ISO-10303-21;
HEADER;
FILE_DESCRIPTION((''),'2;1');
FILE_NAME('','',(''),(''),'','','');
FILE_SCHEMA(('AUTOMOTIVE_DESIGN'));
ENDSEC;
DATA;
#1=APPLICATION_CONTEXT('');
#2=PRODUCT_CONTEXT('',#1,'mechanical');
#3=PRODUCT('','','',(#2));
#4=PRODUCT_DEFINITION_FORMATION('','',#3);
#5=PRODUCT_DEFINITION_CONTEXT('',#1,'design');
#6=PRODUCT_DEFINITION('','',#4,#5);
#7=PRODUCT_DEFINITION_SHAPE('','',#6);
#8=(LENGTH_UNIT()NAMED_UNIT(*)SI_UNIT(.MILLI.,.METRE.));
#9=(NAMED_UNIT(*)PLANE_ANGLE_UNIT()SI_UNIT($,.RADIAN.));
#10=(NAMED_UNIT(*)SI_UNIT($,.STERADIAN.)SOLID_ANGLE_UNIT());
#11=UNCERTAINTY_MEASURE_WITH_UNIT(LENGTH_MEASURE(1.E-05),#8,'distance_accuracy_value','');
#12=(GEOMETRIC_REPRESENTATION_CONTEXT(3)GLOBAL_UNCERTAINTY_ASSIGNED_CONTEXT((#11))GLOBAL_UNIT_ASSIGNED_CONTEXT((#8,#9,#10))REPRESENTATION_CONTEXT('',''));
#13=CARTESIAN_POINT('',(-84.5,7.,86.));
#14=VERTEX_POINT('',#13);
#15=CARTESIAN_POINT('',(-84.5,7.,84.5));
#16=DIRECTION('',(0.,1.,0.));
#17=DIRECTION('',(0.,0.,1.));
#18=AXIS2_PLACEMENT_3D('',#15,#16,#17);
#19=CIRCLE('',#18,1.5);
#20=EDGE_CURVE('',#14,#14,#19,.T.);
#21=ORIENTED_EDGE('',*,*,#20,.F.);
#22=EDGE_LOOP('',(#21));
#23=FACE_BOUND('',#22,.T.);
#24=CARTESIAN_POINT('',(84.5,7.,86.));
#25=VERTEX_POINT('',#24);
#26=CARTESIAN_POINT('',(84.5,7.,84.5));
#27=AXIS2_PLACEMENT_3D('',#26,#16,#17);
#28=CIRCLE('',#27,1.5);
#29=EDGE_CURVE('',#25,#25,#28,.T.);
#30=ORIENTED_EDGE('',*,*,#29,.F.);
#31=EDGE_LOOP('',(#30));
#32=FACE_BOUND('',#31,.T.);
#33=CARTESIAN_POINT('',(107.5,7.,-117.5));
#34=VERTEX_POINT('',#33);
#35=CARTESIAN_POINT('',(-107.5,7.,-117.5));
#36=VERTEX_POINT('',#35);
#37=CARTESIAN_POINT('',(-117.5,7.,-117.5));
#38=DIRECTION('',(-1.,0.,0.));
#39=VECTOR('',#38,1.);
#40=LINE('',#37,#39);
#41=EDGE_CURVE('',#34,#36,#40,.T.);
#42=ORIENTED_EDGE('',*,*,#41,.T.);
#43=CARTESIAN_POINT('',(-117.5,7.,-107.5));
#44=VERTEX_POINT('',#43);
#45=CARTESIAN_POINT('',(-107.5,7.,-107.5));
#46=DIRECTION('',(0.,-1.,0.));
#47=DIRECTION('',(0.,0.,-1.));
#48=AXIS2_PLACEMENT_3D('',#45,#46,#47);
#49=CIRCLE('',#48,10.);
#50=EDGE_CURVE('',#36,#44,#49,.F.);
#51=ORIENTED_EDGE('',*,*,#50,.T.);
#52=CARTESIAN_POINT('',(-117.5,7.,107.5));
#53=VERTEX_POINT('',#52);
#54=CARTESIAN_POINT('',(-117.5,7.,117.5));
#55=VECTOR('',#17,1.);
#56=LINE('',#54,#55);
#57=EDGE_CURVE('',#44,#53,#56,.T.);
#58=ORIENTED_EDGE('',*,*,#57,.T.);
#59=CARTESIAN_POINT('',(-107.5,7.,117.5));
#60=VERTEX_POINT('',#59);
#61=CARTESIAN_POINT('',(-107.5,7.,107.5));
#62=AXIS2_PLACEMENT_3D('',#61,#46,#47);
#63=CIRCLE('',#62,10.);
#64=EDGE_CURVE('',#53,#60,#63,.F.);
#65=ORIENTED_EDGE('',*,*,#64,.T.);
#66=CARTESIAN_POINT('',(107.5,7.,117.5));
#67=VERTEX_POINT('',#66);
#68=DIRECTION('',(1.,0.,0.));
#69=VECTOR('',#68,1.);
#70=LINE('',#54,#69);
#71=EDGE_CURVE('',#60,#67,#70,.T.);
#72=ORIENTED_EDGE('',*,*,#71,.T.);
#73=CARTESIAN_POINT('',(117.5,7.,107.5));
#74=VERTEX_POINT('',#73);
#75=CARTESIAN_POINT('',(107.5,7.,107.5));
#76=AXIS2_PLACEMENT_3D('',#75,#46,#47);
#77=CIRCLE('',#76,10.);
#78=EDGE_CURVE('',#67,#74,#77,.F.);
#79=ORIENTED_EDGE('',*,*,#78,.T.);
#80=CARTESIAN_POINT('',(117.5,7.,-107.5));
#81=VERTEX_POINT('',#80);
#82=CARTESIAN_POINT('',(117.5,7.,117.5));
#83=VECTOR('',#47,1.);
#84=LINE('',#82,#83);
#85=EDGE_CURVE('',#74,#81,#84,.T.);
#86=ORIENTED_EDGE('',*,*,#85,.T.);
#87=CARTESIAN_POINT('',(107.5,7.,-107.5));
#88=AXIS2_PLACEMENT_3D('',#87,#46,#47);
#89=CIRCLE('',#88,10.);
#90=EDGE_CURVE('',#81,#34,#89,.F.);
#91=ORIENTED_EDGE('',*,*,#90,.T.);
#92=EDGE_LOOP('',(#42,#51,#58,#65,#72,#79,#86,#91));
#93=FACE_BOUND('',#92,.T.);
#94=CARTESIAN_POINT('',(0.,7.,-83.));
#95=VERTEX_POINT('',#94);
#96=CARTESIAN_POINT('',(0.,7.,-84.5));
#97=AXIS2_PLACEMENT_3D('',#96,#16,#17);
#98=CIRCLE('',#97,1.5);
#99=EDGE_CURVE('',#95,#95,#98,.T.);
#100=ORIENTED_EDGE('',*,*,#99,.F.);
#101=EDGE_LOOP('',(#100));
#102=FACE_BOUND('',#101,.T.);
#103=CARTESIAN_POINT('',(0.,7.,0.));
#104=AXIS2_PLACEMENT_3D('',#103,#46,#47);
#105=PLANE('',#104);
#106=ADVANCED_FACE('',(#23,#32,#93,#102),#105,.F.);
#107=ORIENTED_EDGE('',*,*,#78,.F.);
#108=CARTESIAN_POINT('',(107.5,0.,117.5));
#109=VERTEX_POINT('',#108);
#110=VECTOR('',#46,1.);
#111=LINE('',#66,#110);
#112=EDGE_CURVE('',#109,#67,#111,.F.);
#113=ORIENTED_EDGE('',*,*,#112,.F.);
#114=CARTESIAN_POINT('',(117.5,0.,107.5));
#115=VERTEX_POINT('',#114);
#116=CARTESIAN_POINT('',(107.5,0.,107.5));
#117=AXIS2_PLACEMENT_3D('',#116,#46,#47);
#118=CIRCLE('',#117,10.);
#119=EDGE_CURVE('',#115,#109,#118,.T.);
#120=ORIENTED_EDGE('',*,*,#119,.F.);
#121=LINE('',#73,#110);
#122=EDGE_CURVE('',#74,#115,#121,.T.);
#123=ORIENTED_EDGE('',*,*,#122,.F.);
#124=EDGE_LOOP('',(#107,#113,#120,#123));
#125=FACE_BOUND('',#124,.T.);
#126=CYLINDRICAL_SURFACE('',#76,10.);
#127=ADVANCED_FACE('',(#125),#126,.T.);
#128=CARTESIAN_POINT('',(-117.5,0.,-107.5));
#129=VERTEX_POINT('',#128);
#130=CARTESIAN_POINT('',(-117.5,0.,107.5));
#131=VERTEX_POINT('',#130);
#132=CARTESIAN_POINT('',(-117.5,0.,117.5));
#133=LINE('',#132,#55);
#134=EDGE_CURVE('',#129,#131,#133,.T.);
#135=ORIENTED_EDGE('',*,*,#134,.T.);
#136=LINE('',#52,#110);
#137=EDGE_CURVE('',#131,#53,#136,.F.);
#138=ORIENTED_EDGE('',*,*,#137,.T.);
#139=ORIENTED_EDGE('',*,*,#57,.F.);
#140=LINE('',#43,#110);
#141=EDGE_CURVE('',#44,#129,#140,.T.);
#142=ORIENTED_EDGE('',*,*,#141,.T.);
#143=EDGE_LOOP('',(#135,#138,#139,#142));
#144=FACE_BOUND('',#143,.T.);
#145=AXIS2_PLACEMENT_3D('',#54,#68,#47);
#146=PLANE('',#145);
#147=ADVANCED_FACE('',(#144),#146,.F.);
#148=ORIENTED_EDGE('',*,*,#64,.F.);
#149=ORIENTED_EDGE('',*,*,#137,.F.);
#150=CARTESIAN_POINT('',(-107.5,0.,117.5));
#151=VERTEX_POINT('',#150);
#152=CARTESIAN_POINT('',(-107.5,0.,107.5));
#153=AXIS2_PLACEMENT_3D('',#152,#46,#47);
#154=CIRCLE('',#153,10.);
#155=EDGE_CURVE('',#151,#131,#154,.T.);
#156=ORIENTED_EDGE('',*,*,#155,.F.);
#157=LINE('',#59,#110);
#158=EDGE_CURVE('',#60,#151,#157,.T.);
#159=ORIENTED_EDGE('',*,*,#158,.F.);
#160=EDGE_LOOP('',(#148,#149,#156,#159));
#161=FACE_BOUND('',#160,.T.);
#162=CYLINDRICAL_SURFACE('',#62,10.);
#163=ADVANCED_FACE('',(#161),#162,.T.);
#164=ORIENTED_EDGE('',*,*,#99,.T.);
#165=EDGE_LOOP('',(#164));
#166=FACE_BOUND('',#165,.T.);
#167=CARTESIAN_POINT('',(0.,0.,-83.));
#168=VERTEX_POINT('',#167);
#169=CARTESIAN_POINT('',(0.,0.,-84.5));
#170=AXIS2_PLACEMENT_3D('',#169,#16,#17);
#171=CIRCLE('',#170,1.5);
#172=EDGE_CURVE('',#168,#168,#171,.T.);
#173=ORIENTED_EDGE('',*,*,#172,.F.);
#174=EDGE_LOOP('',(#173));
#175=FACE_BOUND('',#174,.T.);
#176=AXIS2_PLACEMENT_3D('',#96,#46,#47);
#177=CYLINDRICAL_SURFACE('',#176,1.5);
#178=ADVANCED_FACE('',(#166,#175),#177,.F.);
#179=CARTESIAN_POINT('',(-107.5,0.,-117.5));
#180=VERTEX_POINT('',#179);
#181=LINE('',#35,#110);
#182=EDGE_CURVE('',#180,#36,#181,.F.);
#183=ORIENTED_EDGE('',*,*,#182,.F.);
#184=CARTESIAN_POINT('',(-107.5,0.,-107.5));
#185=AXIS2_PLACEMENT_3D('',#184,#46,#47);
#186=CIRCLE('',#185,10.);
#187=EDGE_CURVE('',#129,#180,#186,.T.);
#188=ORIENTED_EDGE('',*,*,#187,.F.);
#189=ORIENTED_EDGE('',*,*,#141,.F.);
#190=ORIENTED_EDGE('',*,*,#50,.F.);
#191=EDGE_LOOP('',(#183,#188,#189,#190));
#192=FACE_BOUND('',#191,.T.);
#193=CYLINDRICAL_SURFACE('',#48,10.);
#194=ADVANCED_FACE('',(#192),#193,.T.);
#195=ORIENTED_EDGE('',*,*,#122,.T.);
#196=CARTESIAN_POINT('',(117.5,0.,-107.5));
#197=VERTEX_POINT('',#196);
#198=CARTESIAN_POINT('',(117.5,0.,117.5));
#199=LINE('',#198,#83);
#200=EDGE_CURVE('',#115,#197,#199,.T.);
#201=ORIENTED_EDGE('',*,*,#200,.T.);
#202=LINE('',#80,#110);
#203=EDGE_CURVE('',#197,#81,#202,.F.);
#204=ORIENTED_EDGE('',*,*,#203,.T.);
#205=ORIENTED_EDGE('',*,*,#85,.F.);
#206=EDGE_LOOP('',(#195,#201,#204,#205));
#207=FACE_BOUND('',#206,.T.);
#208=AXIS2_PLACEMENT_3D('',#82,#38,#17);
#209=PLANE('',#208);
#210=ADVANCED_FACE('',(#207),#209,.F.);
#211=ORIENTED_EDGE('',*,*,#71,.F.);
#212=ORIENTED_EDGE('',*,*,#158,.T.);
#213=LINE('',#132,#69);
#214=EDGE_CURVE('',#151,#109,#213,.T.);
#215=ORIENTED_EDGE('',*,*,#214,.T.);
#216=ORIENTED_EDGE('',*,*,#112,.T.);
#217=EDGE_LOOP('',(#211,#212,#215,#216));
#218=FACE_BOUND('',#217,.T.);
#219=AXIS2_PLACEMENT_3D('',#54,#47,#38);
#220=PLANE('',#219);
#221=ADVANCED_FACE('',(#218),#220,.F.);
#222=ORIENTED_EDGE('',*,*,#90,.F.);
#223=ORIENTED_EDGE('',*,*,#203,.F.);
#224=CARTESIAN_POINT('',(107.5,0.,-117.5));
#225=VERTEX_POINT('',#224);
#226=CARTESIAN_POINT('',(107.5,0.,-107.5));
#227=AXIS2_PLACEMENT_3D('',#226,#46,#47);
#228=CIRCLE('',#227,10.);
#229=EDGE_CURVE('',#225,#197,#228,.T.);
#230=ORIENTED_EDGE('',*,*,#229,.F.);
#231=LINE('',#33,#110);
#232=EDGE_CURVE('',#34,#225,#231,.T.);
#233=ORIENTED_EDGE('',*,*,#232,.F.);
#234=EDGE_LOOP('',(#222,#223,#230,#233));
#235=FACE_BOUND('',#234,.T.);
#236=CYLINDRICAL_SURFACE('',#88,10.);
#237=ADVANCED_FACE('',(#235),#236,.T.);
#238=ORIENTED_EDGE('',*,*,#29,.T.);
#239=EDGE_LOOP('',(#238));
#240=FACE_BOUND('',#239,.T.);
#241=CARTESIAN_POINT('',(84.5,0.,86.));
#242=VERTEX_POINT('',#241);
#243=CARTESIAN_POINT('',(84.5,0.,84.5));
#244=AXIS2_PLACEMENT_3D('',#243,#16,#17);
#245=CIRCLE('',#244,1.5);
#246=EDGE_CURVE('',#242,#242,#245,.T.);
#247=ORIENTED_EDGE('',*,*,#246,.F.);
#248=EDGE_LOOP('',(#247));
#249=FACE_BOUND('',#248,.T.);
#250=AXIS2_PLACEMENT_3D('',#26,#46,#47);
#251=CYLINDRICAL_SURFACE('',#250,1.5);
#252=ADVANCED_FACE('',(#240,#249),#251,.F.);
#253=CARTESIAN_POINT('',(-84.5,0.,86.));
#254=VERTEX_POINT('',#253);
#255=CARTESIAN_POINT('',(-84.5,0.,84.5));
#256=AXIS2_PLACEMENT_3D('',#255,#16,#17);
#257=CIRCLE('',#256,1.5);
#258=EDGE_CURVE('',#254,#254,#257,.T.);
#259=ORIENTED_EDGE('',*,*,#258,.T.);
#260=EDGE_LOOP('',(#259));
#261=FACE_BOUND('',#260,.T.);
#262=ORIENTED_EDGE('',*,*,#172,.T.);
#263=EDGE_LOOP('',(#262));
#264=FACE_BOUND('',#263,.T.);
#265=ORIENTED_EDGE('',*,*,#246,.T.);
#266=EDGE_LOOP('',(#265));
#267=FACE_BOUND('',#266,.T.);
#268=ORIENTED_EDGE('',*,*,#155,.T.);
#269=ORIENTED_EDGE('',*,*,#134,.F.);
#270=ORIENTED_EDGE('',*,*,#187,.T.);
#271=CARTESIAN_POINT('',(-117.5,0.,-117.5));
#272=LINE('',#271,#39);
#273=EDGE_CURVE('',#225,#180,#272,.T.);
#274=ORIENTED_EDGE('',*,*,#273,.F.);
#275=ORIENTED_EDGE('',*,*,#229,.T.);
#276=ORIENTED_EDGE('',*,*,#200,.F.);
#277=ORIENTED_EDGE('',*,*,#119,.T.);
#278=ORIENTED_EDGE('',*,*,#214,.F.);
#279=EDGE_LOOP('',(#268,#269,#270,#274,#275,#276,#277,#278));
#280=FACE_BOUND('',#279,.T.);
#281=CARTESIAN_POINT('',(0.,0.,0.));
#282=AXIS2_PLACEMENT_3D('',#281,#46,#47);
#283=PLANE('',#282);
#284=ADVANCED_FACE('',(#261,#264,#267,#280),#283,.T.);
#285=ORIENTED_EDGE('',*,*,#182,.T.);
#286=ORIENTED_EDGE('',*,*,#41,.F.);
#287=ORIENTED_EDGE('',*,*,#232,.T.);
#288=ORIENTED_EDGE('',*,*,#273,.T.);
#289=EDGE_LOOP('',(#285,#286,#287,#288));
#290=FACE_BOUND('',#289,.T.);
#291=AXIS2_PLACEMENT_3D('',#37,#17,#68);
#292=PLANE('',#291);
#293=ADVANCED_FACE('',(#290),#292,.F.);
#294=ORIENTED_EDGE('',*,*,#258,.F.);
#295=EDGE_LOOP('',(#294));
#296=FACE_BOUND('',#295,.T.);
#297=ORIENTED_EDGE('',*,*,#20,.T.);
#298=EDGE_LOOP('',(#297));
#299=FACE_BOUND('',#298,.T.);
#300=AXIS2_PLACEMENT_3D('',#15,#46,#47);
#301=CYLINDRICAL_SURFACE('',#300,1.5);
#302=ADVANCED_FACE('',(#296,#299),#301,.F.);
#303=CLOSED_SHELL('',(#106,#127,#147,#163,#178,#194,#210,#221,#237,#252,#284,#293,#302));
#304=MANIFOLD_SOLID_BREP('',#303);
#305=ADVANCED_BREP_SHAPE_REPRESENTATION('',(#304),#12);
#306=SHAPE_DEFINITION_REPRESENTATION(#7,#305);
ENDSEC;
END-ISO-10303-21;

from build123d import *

# Parameters (mm, degrees)
SKETCH1_W           = 235
SKETCH1_H           = 235
SKETCH1_R           = 1.5
BOSS_EXTRUDE1_DEPTH = 7
FILLET1_R           = 10


with BuildPart() as part:
    # Sketch1 → Boss-Extrude1 (new body)
    with BuildSketch(Plane(origin=(0, 0, 0), x_dir=(1, 0, 0), z_dir=(0, 1, 0))):
        Rectangle(SKETCH1_W, SKETCH1_H)
        with Locations(Location((0, 84.5, 0), (0, 0, 270))):
            Circle(SKETCH1_R, mode=Mode.SUBTRACT)
        with Locations(Location((84.5, -84.5, 0), (0, 0, 270))):
            Circle(SKETCH1_R, mode=Mode.SUBTRACT)
        with Locations(Location((-84.5, -84.5, 0), (0, 0, 270))):
            Circle(SKETCH1_R, mode=Mode.SUBTRACT)
    extrude(amount=BOSS_EXTRUDE1_DEPTH)

    # Fillet1
    fillet1_edges = [part.edges().sort_by_distance(p)[0] for p in [
        (117.5, 3.5, 117.5),
        (-117.5, 3.5, 117.5),
        (-117.5, 3.5, -117.5),
        (117.5, 3.5, -117.5),
    ]]
    fillet(fillet1_edges, radius=FILLET1_R)


solid = part.part
